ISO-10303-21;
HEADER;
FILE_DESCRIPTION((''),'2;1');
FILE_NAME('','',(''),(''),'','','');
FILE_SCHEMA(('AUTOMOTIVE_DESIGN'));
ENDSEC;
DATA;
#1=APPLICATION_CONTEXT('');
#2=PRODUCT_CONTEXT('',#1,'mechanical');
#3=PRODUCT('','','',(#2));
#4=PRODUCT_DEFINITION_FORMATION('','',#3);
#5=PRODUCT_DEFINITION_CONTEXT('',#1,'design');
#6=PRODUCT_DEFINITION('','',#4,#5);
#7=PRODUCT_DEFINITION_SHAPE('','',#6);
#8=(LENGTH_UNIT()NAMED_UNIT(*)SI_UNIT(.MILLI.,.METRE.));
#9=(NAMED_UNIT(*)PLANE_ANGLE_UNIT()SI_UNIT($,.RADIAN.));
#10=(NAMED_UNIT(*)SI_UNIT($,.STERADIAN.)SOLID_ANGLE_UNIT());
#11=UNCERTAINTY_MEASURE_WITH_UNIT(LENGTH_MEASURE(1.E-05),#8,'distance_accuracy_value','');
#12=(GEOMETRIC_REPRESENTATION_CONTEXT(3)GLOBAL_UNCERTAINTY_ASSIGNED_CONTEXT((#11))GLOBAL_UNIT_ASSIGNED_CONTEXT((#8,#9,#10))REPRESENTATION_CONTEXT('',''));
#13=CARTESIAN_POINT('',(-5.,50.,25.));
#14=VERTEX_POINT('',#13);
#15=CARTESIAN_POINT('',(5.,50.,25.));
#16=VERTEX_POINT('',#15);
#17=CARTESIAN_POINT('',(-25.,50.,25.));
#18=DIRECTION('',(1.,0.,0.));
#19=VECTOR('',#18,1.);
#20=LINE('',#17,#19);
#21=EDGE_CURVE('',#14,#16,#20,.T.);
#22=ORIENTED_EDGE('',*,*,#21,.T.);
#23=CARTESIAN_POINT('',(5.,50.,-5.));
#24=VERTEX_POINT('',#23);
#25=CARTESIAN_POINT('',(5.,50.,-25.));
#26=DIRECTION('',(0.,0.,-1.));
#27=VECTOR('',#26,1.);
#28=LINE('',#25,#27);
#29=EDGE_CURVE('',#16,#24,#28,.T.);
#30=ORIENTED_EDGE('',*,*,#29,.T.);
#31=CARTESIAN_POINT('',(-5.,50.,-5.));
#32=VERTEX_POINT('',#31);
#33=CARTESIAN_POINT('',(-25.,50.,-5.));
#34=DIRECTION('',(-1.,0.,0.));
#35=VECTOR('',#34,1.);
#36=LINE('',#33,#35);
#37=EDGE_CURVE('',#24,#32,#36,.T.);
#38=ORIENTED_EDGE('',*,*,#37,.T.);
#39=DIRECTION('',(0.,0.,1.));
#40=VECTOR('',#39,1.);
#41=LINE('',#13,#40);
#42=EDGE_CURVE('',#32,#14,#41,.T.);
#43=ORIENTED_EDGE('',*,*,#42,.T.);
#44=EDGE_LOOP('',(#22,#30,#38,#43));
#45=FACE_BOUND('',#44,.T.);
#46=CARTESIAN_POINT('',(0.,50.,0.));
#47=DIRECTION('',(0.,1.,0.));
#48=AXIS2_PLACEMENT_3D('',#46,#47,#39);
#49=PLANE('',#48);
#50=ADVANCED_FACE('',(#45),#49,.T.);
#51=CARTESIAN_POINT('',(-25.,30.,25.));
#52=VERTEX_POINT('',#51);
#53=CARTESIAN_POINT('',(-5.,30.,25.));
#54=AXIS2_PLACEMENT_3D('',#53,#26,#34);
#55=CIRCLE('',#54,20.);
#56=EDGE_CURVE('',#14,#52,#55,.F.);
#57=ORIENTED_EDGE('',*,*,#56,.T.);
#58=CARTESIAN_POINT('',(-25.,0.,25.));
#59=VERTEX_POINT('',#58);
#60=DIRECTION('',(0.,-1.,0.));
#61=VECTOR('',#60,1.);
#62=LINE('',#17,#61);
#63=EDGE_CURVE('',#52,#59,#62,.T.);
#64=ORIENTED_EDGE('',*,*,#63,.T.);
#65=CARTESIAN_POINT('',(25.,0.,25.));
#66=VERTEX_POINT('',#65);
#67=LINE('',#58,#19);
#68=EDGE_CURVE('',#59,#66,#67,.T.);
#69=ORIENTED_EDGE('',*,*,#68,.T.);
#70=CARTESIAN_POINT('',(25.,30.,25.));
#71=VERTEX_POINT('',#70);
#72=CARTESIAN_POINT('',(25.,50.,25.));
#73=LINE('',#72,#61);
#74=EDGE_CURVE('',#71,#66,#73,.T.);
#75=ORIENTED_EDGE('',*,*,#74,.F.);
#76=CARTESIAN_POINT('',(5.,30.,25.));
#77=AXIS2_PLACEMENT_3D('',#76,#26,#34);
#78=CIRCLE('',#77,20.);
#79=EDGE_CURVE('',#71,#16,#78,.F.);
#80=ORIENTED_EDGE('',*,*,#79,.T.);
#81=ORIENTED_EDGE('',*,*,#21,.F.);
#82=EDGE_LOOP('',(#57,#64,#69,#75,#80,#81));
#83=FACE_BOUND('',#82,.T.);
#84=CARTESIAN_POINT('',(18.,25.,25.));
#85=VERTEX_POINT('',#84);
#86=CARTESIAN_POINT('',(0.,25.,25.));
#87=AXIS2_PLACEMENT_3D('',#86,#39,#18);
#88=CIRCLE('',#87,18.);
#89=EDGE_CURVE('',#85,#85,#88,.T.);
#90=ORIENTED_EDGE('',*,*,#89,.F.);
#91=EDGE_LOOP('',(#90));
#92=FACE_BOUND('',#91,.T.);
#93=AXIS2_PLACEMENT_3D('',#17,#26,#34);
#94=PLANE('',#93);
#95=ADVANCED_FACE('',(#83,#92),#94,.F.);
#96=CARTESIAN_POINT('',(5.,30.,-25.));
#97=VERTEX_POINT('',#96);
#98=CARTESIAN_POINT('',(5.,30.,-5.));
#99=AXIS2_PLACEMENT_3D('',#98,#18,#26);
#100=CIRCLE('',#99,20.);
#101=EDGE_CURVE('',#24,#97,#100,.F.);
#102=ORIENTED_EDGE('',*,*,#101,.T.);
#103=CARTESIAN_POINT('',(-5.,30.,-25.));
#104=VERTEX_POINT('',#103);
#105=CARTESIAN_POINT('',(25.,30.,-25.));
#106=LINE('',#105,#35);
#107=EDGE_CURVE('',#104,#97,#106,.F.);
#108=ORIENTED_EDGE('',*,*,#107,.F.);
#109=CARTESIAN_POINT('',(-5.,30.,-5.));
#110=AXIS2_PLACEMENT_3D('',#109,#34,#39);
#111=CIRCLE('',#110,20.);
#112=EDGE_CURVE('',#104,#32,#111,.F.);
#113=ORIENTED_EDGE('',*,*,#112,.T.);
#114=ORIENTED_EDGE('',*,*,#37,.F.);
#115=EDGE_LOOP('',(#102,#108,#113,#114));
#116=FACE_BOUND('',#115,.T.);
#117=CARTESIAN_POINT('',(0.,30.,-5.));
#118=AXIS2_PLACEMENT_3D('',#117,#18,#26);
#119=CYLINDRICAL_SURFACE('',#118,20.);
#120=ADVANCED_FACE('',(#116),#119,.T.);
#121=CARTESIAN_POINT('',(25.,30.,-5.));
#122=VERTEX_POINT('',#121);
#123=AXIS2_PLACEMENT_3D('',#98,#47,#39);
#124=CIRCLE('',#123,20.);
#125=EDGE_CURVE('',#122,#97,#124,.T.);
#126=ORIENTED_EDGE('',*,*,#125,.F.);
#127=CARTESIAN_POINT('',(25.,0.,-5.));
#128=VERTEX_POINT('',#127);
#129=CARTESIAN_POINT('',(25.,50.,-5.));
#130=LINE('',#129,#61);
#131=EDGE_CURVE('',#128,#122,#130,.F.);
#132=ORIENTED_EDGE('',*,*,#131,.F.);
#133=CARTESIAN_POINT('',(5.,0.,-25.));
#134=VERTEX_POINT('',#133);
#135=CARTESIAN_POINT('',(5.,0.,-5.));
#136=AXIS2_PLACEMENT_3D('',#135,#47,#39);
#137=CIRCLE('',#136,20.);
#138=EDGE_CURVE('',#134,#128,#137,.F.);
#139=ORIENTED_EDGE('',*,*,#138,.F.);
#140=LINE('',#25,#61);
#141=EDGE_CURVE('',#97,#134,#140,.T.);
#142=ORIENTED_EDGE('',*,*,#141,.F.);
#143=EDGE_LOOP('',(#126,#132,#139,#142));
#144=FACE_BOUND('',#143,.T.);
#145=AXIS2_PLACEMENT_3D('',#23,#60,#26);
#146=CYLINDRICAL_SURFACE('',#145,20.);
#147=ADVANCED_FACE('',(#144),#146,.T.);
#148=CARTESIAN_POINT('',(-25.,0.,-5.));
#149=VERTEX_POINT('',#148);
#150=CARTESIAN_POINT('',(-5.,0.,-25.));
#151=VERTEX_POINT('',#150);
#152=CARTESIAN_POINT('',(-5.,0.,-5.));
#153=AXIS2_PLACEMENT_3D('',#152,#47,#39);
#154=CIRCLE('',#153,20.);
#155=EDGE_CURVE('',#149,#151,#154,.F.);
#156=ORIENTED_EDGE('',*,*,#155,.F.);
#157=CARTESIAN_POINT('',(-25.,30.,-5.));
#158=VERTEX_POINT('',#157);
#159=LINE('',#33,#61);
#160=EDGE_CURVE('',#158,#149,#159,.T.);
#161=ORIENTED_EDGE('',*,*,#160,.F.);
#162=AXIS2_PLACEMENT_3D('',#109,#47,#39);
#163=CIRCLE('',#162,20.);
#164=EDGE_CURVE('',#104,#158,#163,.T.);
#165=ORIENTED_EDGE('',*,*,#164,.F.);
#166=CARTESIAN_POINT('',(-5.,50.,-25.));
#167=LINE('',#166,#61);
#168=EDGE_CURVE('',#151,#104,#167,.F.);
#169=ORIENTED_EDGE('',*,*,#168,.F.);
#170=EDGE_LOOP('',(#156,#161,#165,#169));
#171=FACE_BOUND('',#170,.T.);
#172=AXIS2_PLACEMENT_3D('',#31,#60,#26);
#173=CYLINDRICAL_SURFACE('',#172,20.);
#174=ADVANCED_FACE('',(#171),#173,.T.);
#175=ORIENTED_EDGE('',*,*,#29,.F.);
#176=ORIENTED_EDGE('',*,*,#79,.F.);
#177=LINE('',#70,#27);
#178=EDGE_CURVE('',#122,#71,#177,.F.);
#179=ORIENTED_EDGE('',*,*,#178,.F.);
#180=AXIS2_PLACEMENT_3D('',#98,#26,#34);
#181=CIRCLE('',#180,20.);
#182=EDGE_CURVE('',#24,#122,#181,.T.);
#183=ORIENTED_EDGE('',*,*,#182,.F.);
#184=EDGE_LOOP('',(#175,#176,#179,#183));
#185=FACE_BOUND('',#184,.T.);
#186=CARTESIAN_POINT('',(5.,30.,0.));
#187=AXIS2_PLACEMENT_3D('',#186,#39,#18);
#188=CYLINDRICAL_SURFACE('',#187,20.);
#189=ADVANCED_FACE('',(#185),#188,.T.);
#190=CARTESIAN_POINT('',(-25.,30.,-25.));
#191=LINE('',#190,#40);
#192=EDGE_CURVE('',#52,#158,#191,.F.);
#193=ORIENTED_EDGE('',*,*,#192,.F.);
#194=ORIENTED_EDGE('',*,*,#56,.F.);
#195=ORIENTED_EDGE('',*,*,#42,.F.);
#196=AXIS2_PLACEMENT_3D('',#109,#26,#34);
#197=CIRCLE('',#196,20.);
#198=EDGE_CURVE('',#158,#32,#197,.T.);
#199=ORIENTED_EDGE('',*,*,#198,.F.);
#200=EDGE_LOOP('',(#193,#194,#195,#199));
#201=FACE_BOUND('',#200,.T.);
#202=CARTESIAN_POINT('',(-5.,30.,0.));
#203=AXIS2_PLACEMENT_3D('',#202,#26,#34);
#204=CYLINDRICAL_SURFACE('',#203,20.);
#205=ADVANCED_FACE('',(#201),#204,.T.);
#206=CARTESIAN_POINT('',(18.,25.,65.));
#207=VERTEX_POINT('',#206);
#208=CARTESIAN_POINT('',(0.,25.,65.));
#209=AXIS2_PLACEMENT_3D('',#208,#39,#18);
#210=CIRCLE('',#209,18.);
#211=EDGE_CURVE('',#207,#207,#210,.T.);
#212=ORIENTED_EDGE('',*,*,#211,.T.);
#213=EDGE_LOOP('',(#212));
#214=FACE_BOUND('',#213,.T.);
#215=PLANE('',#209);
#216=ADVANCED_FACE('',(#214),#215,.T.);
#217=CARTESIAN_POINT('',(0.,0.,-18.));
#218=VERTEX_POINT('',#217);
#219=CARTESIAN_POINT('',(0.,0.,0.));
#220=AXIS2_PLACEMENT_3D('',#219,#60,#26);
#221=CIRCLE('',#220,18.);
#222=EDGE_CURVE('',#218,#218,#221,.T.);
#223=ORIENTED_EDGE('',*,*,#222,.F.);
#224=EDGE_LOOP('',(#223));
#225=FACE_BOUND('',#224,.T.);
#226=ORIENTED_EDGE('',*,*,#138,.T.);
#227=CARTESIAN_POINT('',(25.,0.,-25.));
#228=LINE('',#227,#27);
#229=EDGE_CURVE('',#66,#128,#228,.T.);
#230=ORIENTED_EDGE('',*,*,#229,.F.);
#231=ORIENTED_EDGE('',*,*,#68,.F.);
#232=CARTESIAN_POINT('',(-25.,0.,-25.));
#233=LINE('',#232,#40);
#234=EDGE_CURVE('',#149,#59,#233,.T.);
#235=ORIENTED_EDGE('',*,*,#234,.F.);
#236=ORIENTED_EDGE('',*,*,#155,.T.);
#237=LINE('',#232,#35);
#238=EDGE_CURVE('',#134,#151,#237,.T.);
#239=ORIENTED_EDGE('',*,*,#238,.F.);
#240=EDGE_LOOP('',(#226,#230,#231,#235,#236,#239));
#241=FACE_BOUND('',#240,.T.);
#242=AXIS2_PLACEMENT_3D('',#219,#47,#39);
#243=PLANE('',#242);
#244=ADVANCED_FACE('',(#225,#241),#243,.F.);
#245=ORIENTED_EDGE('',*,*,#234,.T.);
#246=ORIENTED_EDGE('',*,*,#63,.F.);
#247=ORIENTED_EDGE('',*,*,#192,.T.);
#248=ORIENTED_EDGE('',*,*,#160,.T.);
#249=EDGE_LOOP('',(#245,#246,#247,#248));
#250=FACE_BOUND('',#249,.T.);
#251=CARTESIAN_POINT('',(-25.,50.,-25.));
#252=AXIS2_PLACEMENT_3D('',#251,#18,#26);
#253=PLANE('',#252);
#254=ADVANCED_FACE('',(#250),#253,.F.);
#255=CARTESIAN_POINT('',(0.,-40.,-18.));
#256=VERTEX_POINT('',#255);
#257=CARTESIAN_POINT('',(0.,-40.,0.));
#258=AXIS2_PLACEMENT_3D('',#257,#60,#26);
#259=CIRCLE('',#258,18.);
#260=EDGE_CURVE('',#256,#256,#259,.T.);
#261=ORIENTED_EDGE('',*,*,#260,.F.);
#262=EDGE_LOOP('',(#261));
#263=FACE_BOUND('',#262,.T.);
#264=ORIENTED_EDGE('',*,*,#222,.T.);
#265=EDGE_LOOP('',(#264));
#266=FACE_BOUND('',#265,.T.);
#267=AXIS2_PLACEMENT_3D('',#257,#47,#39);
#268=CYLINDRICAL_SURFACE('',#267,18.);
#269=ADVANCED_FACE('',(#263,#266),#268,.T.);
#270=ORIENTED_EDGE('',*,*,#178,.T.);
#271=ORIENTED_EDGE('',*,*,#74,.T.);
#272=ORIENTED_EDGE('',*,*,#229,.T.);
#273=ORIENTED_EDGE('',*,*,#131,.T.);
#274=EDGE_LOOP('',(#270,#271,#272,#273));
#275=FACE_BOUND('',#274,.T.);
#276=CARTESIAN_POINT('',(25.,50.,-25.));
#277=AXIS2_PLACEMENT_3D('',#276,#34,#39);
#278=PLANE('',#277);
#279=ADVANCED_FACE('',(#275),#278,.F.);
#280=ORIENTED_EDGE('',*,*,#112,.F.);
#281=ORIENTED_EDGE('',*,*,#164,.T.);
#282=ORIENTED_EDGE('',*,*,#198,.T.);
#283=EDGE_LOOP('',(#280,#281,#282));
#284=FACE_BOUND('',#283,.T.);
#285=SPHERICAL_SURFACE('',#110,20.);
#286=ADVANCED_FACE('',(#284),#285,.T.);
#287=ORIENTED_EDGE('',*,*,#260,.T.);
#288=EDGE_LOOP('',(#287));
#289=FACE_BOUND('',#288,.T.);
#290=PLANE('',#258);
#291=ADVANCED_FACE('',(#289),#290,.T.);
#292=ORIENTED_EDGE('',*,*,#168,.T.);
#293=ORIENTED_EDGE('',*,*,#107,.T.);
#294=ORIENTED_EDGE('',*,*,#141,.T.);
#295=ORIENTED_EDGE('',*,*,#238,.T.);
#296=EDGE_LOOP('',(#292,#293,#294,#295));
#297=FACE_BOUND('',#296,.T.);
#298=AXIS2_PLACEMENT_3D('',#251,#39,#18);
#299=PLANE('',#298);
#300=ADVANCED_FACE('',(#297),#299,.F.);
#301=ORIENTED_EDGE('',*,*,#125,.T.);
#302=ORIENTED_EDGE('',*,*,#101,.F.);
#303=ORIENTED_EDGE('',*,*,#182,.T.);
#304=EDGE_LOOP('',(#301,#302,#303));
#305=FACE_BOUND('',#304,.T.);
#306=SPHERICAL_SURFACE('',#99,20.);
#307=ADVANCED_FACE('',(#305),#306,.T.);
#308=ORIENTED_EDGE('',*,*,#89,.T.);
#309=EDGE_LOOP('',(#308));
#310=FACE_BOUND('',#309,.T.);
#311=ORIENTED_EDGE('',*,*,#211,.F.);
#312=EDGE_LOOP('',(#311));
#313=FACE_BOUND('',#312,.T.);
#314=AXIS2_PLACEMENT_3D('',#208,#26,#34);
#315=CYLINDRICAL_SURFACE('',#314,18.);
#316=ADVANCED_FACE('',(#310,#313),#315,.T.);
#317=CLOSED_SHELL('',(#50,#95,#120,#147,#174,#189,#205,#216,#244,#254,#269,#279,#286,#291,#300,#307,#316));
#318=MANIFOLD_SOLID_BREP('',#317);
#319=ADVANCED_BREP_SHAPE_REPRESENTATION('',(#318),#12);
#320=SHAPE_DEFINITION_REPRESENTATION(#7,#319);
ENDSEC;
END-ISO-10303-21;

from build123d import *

# Parameters (mm, degrees)
SKETCH1_W           = 50
SKETCH1_H           = 50
BOSS_EXTRUDE1_DEPTH = 50
SKETCH3_R           = 18
BOSS_EXTRUDE2_DEPTH = 40
SKETCH4_R           = 18
BOSS_EXTRUDE3_DEPTH = 40
FILLET1_R           = 20


with BuildPart() as part:
    # Sketch1 → Boss-Extrude1 (new body)
    with BuildSketch(Plane(origin=(0, 0, 0), x_dir=(1, 0, 0), z_dir=(0, 1, 0))):
        Rectangle(SKETCH1_W, SKETCH1_H)
    extrude(amount=BOSS_EXTRUDE1_DEPTH)

    # Sketch3 → Boss-Extrude2 (add)
    with BuildSketch(Plane.XY.offset(25)):
        with Locations((0, 25)):
            Circle(SKETCH3_R)
    extrude(amount=BOSS_EXTRUDE2_DEPTH)

    # Sketch4 → Boss-Extrude3 (add)
    with BuildSketch(Plane.XZ):
        with Locations(Location((0, 0, 0), (0, 0, 270))):
            Circle(SKETCH4_R)
    extrude(amount=BOSS_EXTRUDE3_DEPTH)

    # Fillet1
    fillet1_edges = [part.edges().sort_by_distance(p)[0] for p in [
        (25, 50, 0),
        (0, 50, -25),
        (-25, 50, 0),
        (-25, 25, -25),
        (25, 25, -25),
    ]]
    fillet(fillet1_edges, radius=FILLET1_R)


solid = part.part
